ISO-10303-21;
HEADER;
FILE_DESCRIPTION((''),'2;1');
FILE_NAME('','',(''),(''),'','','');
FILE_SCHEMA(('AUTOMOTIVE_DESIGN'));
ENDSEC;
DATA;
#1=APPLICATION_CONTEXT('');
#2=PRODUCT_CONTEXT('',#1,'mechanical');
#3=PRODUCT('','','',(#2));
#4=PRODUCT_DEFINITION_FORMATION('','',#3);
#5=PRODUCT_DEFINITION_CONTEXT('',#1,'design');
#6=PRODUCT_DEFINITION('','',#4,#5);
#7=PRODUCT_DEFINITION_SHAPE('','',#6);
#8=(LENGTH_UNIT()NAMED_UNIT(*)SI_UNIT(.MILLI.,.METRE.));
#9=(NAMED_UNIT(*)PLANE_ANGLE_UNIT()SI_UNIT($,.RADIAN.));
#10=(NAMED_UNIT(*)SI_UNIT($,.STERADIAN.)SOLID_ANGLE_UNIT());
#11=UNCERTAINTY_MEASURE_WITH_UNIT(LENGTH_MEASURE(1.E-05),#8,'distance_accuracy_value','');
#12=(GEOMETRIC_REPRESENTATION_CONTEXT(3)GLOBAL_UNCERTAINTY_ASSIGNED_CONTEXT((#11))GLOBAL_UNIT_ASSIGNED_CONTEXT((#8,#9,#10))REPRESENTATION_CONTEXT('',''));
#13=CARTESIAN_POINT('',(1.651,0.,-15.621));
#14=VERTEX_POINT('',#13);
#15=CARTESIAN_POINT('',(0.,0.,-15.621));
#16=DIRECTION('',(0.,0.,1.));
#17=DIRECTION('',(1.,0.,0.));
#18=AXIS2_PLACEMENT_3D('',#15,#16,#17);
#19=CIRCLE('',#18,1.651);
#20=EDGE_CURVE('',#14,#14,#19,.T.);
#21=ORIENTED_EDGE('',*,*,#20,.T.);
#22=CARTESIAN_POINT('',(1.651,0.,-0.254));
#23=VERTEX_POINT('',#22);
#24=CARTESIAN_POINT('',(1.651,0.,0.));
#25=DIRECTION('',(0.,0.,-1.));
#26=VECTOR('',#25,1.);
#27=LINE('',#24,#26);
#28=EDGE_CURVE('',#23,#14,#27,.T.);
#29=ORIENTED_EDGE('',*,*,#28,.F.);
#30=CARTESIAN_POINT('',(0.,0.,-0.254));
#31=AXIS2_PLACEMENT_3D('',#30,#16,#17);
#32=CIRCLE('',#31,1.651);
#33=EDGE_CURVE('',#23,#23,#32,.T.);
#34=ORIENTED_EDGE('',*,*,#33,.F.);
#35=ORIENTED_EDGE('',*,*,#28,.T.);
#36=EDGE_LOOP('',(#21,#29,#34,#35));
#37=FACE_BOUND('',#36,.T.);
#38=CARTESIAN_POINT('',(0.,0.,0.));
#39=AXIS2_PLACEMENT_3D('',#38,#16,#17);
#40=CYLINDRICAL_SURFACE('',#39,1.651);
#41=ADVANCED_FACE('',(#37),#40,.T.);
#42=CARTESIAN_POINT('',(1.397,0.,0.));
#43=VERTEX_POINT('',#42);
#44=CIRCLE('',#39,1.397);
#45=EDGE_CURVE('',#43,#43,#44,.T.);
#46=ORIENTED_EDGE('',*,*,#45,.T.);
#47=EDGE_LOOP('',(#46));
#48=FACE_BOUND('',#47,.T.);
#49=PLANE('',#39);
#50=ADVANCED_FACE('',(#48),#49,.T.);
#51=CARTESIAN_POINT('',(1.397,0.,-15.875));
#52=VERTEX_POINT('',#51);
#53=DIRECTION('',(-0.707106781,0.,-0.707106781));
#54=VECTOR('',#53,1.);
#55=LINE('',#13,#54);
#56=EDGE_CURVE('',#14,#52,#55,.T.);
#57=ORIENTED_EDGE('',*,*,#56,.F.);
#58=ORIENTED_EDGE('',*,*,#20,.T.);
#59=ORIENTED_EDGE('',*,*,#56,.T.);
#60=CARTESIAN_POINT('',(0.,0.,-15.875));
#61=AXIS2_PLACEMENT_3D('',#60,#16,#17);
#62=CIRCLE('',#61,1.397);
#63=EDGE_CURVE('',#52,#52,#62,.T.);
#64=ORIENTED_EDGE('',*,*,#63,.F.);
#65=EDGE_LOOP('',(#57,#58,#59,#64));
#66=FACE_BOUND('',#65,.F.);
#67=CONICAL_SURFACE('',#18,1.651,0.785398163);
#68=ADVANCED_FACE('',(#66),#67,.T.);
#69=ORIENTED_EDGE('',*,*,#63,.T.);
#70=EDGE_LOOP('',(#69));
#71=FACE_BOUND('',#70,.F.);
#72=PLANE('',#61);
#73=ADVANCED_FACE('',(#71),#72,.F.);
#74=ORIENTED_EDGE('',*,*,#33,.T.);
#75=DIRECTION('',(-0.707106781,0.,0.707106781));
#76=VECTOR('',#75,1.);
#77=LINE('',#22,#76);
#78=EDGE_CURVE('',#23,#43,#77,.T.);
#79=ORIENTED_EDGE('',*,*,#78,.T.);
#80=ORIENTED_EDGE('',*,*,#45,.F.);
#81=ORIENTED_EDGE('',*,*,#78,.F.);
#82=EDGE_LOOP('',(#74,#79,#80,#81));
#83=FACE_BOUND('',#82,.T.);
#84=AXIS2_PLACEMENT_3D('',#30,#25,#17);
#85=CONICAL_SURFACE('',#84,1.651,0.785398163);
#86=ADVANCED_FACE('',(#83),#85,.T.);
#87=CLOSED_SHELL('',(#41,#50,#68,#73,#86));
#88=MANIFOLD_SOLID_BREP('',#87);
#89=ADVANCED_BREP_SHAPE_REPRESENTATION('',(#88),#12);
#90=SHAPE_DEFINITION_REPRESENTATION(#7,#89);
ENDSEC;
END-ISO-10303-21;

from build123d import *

# Parameters (mm, degrees)
SKETCH1_R           = 1.651
BOSS_EXTRUDE1_DEPTH = 15.875
CHAMFER1_SIZE       = 0.254


with BuildPart() as part:
    # Sketch1 → Boss-Extrude1 (new body)
    with BuildSketch(Plane.XY):
        Circle(SKETCH1_R)
    extrude(amount=-BOSS_EXTRUDE1_DEPTH)

    # Chamfer1
    chamfer1_edges = [part.edges().sort_by_distance(p)[0] for p in [
        (-1.651, 0, 0),
        (-1.651, 0, -15.875),
    ]]
    chamfer(chamfer1_edges, length=CHAMFER1_SIZE)


solid = part.part
